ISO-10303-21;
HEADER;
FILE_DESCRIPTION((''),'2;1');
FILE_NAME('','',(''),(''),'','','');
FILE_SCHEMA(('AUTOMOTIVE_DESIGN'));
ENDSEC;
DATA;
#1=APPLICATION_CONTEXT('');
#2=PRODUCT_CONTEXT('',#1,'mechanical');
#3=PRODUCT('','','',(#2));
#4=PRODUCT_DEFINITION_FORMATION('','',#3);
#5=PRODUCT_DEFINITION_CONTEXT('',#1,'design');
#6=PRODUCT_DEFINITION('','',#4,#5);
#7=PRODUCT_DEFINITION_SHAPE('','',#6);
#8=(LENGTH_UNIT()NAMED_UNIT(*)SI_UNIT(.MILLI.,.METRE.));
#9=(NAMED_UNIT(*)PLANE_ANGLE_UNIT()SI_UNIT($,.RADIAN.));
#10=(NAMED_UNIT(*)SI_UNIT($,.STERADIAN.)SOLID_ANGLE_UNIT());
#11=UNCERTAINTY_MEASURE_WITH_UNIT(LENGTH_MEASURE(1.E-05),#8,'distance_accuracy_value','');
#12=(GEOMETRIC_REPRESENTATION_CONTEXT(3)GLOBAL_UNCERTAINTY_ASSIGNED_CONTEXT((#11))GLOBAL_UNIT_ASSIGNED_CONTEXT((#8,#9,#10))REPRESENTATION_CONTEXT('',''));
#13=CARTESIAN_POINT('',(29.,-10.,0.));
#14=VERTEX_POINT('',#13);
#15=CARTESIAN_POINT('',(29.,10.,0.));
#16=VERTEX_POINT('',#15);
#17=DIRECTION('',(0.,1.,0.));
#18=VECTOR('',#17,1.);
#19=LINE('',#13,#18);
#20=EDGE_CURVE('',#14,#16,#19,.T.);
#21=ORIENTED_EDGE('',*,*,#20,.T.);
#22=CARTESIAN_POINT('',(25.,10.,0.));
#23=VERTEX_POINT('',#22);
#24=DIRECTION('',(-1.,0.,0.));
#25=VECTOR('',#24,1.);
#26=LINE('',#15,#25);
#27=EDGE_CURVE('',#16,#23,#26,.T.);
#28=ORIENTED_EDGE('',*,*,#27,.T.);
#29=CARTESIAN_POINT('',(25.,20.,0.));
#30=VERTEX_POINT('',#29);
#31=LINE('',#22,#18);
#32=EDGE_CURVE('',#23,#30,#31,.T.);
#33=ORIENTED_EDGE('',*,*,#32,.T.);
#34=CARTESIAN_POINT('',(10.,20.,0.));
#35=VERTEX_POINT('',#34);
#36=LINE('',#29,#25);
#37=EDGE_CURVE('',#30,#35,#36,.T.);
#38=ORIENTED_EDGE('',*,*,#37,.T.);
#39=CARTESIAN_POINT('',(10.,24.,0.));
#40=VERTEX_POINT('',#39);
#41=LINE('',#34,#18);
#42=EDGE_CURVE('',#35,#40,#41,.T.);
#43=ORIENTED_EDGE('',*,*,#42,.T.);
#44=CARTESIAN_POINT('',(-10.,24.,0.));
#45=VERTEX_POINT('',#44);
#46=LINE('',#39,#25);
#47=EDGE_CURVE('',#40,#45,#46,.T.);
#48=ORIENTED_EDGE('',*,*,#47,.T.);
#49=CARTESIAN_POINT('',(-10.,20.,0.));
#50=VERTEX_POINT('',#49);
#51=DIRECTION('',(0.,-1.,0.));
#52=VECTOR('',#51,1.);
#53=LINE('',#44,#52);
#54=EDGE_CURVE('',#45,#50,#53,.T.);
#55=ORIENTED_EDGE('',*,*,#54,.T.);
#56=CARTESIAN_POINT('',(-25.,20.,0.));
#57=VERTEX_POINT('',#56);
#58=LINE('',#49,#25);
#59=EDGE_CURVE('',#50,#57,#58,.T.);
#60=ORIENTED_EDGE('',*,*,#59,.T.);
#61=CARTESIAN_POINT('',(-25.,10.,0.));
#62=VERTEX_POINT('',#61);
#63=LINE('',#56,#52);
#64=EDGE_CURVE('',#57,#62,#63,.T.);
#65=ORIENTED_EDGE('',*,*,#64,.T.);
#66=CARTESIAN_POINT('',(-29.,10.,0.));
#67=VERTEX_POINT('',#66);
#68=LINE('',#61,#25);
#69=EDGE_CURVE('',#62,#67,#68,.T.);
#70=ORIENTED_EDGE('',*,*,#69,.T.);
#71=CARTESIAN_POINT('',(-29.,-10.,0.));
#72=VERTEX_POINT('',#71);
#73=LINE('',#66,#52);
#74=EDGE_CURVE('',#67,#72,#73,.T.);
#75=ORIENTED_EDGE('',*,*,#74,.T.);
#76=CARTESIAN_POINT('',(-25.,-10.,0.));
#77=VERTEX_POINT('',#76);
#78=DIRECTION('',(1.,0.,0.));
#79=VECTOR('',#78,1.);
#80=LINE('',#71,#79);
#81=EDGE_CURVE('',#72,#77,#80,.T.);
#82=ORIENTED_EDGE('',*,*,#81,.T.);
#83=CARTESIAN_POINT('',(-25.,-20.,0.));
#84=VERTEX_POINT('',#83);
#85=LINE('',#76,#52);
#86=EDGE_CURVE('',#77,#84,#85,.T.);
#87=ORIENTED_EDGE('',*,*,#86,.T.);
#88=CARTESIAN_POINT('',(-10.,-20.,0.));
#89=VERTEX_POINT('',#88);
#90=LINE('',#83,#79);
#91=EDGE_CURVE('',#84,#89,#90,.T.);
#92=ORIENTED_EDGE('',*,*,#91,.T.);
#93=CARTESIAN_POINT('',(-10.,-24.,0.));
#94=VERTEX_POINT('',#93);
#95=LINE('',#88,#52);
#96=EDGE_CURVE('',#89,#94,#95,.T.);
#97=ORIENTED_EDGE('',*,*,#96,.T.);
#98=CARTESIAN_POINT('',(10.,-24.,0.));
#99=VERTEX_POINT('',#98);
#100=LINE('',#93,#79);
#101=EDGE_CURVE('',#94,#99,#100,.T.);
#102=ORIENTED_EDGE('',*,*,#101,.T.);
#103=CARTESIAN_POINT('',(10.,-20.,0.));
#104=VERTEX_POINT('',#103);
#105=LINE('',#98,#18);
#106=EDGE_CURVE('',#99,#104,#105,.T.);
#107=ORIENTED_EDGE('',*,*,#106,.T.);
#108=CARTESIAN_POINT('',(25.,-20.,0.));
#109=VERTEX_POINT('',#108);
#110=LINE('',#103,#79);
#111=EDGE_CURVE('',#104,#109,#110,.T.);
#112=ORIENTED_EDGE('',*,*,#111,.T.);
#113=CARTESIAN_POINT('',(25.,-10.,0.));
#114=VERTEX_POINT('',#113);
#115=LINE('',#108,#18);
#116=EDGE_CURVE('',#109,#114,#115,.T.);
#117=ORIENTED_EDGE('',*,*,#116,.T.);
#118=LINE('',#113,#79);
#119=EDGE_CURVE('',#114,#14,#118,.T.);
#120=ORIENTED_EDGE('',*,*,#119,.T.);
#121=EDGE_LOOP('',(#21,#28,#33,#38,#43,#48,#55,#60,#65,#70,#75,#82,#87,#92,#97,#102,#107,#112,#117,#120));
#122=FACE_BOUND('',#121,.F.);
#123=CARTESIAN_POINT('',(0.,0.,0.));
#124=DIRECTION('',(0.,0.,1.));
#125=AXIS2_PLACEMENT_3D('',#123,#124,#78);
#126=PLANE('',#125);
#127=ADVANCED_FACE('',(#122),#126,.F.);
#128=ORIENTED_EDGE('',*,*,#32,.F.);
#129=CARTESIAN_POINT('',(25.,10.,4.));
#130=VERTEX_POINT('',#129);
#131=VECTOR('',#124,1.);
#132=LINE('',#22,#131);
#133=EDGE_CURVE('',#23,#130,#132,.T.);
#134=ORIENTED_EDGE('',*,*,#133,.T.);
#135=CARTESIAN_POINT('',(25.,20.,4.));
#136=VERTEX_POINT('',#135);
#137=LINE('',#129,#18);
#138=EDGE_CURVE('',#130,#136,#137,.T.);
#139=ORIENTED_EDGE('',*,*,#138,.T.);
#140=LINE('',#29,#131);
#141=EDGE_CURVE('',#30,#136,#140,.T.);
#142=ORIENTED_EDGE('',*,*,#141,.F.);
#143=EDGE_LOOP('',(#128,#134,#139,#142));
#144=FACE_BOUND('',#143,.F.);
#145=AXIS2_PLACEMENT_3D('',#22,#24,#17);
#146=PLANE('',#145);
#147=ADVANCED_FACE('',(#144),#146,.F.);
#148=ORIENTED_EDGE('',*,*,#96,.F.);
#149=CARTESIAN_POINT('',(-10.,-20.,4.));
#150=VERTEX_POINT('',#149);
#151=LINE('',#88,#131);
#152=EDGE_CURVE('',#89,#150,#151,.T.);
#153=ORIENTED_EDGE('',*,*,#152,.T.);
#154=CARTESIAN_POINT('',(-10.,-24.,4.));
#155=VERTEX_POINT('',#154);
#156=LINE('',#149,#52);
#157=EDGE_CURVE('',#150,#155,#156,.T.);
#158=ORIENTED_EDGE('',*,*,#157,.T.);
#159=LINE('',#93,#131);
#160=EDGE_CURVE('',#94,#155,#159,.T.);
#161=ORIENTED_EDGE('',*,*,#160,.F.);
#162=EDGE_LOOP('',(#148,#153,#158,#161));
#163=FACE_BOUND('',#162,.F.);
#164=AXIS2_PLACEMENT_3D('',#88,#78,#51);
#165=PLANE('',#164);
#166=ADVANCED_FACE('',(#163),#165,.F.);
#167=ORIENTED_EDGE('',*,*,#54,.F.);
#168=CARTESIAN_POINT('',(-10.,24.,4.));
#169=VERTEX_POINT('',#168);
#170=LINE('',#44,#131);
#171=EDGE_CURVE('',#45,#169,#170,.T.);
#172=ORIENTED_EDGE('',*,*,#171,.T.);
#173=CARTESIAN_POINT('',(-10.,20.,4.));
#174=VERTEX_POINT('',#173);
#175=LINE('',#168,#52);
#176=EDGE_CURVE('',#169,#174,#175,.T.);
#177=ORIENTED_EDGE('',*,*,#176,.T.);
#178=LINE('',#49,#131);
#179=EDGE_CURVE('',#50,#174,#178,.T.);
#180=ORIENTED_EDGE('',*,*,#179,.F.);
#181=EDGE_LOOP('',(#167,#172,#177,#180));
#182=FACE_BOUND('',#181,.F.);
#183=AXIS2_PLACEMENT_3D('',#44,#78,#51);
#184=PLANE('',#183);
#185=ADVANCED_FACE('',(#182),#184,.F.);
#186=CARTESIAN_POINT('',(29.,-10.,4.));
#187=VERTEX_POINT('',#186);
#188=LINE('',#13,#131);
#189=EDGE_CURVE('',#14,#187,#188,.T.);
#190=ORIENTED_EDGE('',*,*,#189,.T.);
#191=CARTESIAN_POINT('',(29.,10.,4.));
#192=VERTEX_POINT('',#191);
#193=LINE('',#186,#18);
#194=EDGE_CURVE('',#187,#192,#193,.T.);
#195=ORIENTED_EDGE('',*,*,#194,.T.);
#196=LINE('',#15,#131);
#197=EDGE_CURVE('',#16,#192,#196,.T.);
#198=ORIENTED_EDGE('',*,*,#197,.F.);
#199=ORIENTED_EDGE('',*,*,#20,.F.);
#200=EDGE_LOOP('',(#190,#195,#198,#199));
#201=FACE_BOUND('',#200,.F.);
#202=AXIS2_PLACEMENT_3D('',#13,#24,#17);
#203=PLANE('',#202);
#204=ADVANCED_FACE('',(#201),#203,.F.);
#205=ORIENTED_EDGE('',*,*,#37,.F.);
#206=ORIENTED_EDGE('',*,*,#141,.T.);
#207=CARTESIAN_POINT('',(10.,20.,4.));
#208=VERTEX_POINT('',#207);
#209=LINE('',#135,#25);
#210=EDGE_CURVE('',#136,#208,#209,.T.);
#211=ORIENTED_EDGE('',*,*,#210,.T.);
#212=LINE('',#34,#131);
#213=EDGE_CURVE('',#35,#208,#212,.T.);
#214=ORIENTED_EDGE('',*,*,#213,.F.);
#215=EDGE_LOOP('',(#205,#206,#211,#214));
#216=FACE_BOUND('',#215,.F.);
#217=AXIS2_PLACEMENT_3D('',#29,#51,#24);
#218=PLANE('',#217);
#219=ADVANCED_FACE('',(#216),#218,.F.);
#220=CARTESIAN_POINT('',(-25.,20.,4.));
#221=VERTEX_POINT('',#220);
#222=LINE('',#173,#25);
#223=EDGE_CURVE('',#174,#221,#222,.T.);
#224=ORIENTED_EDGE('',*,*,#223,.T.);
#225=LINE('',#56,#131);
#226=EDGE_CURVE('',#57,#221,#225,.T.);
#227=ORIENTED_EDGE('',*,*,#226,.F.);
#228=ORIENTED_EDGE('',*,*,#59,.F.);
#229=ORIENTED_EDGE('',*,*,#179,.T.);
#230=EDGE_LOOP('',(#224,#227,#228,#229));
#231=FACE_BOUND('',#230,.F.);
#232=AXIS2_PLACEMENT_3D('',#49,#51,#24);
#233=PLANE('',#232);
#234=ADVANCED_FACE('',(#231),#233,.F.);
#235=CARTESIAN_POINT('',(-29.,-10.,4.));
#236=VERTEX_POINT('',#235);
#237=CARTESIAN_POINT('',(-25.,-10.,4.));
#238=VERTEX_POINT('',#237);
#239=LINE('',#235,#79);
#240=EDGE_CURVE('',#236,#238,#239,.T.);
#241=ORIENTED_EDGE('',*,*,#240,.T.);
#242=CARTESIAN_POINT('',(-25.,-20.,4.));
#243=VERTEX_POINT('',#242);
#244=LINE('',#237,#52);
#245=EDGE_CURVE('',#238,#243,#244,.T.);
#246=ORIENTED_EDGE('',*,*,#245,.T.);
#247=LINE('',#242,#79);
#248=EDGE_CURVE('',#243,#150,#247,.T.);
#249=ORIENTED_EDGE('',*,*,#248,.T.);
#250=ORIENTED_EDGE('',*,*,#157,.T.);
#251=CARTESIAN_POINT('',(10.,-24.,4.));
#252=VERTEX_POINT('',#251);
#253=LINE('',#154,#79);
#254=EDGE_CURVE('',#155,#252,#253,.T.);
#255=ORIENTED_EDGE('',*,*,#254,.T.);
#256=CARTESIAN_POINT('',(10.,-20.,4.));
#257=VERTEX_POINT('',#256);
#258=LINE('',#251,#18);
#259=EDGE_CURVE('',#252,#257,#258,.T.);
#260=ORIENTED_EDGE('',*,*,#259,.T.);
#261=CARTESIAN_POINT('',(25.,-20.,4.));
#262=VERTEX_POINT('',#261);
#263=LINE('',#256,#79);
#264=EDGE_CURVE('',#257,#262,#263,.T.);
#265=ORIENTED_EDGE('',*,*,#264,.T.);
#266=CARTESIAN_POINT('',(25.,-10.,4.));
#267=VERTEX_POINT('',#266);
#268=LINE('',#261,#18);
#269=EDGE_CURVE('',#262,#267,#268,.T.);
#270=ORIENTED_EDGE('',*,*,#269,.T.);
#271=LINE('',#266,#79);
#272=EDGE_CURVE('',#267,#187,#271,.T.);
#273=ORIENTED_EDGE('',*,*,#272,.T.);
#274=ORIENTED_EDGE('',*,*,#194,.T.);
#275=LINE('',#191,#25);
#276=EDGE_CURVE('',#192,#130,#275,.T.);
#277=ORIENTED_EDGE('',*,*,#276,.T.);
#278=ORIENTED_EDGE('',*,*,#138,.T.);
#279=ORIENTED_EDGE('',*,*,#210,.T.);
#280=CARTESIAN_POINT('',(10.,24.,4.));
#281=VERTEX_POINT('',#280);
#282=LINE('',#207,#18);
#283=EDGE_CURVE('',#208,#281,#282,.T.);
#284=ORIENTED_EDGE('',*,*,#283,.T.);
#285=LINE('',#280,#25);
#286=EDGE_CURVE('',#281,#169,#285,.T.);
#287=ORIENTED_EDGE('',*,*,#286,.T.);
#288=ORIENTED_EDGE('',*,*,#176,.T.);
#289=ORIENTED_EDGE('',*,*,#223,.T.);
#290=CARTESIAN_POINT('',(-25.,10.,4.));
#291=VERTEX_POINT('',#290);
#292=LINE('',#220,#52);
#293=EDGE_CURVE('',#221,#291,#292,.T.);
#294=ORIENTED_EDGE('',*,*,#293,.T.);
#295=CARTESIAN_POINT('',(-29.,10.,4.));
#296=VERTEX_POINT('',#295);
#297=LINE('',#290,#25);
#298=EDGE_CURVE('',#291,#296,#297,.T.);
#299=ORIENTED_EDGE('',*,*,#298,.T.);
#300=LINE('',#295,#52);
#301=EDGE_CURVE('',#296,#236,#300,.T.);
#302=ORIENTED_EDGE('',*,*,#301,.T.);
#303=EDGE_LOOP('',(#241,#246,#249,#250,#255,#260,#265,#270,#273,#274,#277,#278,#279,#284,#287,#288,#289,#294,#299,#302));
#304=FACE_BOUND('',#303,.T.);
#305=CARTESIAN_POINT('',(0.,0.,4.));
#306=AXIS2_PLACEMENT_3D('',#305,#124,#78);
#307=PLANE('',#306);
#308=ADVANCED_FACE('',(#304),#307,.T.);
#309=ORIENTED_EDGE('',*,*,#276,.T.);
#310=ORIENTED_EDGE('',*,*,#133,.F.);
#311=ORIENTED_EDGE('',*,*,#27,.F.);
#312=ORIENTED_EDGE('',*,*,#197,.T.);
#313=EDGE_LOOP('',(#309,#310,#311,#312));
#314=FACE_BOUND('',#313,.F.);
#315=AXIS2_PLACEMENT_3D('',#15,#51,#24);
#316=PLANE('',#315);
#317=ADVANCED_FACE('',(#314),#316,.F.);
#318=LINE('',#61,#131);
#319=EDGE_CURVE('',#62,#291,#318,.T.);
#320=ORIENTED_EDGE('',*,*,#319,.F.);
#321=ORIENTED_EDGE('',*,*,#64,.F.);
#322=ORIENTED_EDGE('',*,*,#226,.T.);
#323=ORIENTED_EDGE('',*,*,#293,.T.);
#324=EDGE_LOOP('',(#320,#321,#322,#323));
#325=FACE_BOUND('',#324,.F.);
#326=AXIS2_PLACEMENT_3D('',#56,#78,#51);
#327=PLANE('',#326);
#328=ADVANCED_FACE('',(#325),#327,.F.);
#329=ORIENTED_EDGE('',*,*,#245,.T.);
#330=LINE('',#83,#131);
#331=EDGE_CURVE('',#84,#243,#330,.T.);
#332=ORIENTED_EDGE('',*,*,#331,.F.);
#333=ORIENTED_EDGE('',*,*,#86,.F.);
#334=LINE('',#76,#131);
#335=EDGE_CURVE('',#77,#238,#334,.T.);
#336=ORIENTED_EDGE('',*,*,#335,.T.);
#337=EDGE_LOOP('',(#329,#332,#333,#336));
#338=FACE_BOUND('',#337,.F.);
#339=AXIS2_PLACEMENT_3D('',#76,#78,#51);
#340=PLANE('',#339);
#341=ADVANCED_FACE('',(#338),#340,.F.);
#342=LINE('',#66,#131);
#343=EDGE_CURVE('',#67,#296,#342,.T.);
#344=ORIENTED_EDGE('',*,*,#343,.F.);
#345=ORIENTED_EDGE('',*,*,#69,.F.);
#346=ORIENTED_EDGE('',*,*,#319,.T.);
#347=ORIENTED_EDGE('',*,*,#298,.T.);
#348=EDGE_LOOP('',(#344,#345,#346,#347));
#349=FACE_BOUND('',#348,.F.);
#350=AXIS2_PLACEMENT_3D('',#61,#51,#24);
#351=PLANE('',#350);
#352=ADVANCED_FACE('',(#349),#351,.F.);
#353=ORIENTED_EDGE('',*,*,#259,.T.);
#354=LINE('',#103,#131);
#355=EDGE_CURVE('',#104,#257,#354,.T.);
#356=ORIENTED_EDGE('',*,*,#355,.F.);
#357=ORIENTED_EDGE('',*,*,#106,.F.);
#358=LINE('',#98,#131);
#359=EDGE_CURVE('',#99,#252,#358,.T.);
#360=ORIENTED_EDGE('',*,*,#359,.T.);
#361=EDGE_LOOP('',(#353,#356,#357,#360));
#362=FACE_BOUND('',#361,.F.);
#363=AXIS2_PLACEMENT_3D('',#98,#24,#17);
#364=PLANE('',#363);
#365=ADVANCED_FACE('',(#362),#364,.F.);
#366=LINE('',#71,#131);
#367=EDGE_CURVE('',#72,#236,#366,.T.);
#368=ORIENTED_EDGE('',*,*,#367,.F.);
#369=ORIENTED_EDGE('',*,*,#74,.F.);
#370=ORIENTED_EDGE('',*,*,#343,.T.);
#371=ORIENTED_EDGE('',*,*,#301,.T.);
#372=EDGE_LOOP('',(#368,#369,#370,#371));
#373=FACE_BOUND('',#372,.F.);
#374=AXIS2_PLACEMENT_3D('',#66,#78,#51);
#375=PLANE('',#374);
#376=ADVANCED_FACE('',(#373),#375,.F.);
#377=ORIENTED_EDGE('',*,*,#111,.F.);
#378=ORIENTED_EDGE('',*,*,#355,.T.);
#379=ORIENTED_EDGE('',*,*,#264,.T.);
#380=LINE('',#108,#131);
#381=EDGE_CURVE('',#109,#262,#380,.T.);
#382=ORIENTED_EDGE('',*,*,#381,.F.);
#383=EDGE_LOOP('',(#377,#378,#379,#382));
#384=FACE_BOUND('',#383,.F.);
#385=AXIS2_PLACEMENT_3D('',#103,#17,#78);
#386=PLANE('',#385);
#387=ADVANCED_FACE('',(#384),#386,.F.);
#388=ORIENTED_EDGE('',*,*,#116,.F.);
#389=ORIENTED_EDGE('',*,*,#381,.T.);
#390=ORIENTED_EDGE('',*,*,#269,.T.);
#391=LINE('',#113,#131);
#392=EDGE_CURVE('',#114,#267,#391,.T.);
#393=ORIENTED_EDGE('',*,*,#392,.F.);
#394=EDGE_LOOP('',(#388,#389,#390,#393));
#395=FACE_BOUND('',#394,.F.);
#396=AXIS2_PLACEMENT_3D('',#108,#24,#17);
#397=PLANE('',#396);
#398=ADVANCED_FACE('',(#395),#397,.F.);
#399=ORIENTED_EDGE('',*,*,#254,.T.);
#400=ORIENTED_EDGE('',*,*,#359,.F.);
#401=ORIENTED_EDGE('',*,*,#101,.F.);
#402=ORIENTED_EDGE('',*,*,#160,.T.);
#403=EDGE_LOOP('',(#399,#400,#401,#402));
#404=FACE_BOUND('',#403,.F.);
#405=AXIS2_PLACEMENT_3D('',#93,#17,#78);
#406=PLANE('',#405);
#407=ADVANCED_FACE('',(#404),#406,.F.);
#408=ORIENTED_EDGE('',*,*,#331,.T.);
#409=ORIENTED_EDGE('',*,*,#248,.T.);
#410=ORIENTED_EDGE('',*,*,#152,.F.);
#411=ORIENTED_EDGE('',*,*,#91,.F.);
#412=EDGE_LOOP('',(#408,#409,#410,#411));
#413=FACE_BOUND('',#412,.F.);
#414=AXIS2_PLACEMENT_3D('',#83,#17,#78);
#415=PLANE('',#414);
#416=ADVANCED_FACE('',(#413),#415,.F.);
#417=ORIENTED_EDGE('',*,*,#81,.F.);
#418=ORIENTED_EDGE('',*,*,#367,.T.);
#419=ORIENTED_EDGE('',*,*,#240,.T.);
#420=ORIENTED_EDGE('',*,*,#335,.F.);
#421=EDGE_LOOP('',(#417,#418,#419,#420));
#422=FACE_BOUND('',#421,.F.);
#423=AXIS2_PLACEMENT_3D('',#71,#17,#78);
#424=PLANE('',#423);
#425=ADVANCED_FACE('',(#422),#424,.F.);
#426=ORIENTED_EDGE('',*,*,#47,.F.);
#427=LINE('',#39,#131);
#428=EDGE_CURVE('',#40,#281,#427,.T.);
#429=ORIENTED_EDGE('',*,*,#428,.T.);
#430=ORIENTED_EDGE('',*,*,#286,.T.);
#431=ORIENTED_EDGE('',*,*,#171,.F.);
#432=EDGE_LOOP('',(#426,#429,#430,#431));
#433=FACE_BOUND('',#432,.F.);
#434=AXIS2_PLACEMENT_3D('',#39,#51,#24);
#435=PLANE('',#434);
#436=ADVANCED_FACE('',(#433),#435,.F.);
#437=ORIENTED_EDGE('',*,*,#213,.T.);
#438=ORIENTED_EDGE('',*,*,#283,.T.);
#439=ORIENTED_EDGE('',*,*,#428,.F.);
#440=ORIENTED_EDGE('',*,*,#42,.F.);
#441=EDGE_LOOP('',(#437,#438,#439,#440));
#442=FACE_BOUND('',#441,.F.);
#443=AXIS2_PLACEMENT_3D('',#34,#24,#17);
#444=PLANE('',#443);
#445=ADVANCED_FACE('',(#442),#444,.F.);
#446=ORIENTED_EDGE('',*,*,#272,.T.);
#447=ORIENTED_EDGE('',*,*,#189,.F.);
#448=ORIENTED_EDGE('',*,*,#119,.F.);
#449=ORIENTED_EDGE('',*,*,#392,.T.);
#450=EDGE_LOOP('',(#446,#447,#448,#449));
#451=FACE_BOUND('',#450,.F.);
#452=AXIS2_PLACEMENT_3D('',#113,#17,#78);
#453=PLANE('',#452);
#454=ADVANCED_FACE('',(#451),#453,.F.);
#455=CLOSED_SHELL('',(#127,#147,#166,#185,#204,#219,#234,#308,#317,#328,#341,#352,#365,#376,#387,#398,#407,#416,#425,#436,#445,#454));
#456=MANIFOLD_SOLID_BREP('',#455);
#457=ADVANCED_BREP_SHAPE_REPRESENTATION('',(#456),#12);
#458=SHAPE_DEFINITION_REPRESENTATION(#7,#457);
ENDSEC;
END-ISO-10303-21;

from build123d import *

# Parameters (mm, degrees)
F1_DEPTH = 4


with BuildPart() as f1:
    # F0 (on Top) → F1 (new body)
    with BuildSketch(Plane.XY):
        Polygon((-10, 20), (-25, 20), (-25, 10), (-29, 10), (-29, -10), (-25, -10), (-25, -20), (-10, -20), (-10, -24), (10, -24), (10, -20), (25, -20), (25, -10), (29, -10), (29, 10), (25, 10), (25, 20), (10, 20), (10, 24), (-10, 24), align=None)
    extrude(amount=F1_DEPTH)


solid = f1.part
